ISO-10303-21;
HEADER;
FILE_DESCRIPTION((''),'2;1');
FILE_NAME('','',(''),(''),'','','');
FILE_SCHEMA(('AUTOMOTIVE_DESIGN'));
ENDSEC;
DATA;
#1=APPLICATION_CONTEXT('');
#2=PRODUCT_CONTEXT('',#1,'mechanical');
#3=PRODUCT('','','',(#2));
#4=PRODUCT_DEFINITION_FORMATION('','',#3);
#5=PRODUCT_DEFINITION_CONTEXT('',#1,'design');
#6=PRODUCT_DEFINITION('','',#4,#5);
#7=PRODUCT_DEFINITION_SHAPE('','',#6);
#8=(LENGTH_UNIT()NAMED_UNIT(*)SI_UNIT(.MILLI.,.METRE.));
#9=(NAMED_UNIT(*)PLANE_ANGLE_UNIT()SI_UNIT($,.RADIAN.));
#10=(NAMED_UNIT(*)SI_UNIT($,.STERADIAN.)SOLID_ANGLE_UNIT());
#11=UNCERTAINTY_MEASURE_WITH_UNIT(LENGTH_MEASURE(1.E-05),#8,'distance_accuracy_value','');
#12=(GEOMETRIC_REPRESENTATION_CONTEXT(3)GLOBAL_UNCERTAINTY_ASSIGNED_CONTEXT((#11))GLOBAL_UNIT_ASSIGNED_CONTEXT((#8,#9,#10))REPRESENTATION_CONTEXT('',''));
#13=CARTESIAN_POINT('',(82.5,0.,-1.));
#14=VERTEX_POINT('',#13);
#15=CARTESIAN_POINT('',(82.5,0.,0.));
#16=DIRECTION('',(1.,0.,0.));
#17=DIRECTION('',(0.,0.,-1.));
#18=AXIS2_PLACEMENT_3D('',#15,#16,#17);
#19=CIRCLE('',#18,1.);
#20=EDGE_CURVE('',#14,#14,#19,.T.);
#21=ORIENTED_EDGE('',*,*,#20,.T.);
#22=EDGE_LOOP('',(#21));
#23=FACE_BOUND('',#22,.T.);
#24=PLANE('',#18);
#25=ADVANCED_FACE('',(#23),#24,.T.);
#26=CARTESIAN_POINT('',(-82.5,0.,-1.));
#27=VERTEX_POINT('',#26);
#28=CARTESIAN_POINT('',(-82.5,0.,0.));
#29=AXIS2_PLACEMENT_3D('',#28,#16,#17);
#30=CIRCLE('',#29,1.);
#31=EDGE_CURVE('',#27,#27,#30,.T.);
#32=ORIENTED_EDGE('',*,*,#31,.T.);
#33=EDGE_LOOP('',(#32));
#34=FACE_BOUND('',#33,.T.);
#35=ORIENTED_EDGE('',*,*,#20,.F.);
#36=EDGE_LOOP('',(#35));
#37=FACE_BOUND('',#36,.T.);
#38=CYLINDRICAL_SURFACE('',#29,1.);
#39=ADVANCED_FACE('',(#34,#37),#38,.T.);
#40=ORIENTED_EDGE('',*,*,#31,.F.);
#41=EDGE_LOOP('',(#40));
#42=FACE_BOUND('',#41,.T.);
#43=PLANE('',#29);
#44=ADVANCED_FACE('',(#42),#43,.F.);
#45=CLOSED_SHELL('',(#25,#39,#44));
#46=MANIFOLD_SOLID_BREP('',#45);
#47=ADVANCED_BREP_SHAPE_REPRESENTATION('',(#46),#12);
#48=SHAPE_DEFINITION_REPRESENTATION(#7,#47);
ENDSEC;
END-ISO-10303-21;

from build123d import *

# Parameters (mm, degrees)
BOSS_EXTRUDE1_DEPTH      = 82.5
BOSS_EXTRUDE1_DEPTH_BACK = 82.5
SKETCH1_R                = 1


with BuildPart() as part:
    # Sketch1 → Boss-Extrude1 (new, two sides: drawn at the far end of the back side and taken through both)
    with BuildSketch(Plane(origin=(0, 0, 0), x_dir=(0, 0, -1), z_dir=(1, 0, 0)).offset(-BOSS_EXTRUDE1_DEPTH_BACK)):
        Circle(SKETCH1_R)
    extrude(amount=BOSS_EXTRUDE1_DEPTH + BOSS_EXTRUDE1_DEPTH_BACK)


solid = part.part
